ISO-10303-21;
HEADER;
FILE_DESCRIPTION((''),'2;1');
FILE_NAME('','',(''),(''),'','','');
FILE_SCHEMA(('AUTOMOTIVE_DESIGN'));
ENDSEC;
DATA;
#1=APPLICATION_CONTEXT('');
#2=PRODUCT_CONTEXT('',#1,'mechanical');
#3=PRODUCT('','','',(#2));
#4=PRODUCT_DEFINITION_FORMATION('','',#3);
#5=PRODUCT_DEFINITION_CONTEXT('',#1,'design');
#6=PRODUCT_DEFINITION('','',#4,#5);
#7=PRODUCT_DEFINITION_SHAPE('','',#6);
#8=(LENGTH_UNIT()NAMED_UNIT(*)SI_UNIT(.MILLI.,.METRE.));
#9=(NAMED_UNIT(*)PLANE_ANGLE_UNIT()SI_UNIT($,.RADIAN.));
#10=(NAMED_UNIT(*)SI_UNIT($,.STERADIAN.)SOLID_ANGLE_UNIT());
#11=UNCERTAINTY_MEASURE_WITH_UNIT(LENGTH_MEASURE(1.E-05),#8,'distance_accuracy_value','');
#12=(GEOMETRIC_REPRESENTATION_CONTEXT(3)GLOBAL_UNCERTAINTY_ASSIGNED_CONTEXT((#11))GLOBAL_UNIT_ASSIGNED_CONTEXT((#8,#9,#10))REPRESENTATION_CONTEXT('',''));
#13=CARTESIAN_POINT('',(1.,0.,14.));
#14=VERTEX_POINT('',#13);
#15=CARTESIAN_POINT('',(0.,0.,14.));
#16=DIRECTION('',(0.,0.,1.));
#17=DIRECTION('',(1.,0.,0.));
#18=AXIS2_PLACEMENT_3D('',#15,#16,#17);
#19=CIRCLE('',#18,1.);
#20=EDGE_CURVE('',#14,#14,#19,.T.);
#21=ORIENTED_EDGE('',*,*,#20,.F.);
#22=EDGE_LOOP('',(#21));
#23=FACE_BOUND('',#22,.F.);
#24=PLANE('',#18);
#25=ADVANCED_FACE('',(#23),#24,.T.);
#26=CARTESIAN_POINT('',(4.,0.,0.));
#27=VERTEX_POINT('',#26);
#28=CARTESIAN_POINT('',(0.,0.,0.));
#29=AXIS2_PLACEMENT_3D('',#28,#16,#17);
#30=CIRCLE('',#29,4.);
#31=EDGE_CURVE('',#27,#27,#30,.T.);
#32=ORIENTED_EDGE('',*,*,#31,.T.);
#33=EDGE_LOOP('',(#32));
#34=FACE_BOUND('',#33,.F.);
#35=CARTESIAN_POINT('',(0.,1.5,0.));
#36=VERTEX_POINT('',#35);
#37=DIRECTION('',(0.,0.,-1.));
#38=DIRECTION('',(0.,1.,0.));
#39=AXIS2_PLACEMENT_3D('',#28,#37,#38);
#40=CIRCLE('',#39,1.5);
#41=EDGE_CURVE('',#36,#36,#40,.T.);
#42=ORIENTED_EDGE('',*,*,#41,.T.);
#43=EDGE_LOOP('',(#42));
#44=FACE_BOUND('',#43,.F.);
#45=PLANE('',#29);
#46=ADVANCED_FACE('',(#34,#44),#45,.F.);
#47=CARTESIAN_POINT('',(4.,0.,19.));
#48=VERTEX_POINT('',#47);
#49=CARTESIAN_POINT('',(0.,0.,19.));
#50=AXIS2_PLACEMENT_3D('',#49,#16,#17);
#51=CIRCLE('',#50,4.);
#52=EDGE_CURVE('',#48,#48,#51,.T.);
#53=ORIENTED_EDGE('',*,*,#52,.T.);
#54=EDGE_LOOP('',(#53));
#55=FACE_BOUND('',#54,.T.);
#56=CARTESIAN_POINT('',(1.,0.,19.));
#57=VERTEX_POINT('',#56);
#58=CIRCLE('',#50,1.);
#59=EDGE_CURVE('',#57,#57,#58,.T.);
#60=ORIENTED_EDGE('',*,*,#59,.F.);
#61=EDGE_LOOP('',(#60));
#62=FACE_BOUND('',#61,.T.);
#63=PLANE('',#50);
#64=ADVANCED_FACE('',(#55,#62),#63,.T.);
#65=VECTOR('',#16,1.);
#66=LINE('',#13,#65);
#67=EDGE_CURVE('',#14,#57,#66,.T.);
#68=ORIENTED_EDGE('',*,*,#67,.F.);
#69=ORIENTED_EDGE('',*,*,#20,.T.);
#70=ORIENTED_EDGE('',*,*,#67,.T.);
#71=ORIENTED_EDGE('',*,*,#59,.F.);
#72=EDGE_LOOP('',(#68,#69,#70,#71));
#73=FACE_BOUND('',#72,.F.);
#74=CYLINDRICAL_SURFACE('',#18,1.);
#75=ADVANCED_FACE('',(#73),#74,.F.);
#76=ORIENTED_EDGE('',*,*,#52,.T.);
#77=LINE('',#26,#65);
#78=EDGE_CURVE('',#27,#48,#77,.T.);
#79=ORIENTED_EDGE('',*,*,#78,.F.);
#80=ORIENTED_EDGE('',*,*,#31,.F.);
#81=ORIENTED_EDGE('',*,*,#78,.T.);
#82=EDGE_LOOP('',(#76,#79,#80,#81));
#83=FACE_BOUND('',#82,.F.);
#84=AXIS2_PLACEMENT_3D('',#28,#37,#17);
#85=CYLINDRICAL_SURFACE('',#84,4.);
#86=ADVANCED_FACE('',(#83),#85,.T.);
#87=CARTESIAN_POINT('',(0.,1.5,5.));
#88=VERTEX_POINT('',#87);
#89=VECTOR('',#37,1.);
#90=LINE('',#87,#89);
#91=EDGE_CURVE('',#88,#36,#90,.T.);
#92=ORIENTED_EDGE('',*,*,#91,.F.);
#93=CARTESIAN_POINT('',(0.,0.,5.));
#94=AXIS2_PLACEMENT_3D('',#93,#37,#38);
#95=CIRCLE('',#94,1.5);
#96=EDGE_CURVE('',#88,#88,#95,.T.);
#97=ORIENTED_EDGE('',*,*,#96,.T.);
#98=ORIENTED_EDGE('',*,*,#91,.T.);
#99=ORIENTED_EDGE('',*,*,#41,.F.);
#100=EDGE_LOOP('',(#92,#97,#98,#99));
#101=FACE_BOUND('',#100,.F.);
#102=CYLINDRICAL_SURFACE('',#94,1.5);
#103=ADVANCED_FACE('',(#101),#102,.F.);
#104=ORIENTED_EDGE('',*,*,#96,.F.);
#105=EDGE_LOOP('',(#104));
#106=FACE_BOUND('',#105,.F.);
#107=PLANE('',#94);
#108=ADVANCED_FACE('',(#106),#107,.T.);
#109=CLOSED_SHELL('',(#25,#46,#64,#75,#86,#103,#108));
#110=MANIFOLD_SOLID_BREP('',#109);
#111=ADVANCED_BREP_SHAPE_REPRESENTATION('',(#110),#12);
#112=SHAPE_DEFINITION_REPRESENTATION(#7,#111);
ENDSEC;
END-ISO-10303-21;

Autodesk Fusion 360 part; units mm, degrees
sketch "スケッチ1" plane through (0, 0, 0) normal (0, 0, 1) x (1, 0, 0)
  circle A0 centre (0, 0) radius 4
  dimension "d1" = 8
extrude "押し出し1" add sketch "スケッチ1" along normal blind 19
cylinder "円柱プリミティブ1" cut diameter 2 height -5 placed x (1, 0, 0) y (0, 1, 0) z (0, 0, 1) at (0, 0, 19)
thread "ねじ1" thread offset 0 thread length 10
cylinder "円柱プリミティブ2" cut diameter 3 height -5 placed x (0, 1, 0) y (1, 0, 0) z (0, 0, -1) at (0, 0, 0)
thread "ねじ2" thread offset 0 thread length 10
